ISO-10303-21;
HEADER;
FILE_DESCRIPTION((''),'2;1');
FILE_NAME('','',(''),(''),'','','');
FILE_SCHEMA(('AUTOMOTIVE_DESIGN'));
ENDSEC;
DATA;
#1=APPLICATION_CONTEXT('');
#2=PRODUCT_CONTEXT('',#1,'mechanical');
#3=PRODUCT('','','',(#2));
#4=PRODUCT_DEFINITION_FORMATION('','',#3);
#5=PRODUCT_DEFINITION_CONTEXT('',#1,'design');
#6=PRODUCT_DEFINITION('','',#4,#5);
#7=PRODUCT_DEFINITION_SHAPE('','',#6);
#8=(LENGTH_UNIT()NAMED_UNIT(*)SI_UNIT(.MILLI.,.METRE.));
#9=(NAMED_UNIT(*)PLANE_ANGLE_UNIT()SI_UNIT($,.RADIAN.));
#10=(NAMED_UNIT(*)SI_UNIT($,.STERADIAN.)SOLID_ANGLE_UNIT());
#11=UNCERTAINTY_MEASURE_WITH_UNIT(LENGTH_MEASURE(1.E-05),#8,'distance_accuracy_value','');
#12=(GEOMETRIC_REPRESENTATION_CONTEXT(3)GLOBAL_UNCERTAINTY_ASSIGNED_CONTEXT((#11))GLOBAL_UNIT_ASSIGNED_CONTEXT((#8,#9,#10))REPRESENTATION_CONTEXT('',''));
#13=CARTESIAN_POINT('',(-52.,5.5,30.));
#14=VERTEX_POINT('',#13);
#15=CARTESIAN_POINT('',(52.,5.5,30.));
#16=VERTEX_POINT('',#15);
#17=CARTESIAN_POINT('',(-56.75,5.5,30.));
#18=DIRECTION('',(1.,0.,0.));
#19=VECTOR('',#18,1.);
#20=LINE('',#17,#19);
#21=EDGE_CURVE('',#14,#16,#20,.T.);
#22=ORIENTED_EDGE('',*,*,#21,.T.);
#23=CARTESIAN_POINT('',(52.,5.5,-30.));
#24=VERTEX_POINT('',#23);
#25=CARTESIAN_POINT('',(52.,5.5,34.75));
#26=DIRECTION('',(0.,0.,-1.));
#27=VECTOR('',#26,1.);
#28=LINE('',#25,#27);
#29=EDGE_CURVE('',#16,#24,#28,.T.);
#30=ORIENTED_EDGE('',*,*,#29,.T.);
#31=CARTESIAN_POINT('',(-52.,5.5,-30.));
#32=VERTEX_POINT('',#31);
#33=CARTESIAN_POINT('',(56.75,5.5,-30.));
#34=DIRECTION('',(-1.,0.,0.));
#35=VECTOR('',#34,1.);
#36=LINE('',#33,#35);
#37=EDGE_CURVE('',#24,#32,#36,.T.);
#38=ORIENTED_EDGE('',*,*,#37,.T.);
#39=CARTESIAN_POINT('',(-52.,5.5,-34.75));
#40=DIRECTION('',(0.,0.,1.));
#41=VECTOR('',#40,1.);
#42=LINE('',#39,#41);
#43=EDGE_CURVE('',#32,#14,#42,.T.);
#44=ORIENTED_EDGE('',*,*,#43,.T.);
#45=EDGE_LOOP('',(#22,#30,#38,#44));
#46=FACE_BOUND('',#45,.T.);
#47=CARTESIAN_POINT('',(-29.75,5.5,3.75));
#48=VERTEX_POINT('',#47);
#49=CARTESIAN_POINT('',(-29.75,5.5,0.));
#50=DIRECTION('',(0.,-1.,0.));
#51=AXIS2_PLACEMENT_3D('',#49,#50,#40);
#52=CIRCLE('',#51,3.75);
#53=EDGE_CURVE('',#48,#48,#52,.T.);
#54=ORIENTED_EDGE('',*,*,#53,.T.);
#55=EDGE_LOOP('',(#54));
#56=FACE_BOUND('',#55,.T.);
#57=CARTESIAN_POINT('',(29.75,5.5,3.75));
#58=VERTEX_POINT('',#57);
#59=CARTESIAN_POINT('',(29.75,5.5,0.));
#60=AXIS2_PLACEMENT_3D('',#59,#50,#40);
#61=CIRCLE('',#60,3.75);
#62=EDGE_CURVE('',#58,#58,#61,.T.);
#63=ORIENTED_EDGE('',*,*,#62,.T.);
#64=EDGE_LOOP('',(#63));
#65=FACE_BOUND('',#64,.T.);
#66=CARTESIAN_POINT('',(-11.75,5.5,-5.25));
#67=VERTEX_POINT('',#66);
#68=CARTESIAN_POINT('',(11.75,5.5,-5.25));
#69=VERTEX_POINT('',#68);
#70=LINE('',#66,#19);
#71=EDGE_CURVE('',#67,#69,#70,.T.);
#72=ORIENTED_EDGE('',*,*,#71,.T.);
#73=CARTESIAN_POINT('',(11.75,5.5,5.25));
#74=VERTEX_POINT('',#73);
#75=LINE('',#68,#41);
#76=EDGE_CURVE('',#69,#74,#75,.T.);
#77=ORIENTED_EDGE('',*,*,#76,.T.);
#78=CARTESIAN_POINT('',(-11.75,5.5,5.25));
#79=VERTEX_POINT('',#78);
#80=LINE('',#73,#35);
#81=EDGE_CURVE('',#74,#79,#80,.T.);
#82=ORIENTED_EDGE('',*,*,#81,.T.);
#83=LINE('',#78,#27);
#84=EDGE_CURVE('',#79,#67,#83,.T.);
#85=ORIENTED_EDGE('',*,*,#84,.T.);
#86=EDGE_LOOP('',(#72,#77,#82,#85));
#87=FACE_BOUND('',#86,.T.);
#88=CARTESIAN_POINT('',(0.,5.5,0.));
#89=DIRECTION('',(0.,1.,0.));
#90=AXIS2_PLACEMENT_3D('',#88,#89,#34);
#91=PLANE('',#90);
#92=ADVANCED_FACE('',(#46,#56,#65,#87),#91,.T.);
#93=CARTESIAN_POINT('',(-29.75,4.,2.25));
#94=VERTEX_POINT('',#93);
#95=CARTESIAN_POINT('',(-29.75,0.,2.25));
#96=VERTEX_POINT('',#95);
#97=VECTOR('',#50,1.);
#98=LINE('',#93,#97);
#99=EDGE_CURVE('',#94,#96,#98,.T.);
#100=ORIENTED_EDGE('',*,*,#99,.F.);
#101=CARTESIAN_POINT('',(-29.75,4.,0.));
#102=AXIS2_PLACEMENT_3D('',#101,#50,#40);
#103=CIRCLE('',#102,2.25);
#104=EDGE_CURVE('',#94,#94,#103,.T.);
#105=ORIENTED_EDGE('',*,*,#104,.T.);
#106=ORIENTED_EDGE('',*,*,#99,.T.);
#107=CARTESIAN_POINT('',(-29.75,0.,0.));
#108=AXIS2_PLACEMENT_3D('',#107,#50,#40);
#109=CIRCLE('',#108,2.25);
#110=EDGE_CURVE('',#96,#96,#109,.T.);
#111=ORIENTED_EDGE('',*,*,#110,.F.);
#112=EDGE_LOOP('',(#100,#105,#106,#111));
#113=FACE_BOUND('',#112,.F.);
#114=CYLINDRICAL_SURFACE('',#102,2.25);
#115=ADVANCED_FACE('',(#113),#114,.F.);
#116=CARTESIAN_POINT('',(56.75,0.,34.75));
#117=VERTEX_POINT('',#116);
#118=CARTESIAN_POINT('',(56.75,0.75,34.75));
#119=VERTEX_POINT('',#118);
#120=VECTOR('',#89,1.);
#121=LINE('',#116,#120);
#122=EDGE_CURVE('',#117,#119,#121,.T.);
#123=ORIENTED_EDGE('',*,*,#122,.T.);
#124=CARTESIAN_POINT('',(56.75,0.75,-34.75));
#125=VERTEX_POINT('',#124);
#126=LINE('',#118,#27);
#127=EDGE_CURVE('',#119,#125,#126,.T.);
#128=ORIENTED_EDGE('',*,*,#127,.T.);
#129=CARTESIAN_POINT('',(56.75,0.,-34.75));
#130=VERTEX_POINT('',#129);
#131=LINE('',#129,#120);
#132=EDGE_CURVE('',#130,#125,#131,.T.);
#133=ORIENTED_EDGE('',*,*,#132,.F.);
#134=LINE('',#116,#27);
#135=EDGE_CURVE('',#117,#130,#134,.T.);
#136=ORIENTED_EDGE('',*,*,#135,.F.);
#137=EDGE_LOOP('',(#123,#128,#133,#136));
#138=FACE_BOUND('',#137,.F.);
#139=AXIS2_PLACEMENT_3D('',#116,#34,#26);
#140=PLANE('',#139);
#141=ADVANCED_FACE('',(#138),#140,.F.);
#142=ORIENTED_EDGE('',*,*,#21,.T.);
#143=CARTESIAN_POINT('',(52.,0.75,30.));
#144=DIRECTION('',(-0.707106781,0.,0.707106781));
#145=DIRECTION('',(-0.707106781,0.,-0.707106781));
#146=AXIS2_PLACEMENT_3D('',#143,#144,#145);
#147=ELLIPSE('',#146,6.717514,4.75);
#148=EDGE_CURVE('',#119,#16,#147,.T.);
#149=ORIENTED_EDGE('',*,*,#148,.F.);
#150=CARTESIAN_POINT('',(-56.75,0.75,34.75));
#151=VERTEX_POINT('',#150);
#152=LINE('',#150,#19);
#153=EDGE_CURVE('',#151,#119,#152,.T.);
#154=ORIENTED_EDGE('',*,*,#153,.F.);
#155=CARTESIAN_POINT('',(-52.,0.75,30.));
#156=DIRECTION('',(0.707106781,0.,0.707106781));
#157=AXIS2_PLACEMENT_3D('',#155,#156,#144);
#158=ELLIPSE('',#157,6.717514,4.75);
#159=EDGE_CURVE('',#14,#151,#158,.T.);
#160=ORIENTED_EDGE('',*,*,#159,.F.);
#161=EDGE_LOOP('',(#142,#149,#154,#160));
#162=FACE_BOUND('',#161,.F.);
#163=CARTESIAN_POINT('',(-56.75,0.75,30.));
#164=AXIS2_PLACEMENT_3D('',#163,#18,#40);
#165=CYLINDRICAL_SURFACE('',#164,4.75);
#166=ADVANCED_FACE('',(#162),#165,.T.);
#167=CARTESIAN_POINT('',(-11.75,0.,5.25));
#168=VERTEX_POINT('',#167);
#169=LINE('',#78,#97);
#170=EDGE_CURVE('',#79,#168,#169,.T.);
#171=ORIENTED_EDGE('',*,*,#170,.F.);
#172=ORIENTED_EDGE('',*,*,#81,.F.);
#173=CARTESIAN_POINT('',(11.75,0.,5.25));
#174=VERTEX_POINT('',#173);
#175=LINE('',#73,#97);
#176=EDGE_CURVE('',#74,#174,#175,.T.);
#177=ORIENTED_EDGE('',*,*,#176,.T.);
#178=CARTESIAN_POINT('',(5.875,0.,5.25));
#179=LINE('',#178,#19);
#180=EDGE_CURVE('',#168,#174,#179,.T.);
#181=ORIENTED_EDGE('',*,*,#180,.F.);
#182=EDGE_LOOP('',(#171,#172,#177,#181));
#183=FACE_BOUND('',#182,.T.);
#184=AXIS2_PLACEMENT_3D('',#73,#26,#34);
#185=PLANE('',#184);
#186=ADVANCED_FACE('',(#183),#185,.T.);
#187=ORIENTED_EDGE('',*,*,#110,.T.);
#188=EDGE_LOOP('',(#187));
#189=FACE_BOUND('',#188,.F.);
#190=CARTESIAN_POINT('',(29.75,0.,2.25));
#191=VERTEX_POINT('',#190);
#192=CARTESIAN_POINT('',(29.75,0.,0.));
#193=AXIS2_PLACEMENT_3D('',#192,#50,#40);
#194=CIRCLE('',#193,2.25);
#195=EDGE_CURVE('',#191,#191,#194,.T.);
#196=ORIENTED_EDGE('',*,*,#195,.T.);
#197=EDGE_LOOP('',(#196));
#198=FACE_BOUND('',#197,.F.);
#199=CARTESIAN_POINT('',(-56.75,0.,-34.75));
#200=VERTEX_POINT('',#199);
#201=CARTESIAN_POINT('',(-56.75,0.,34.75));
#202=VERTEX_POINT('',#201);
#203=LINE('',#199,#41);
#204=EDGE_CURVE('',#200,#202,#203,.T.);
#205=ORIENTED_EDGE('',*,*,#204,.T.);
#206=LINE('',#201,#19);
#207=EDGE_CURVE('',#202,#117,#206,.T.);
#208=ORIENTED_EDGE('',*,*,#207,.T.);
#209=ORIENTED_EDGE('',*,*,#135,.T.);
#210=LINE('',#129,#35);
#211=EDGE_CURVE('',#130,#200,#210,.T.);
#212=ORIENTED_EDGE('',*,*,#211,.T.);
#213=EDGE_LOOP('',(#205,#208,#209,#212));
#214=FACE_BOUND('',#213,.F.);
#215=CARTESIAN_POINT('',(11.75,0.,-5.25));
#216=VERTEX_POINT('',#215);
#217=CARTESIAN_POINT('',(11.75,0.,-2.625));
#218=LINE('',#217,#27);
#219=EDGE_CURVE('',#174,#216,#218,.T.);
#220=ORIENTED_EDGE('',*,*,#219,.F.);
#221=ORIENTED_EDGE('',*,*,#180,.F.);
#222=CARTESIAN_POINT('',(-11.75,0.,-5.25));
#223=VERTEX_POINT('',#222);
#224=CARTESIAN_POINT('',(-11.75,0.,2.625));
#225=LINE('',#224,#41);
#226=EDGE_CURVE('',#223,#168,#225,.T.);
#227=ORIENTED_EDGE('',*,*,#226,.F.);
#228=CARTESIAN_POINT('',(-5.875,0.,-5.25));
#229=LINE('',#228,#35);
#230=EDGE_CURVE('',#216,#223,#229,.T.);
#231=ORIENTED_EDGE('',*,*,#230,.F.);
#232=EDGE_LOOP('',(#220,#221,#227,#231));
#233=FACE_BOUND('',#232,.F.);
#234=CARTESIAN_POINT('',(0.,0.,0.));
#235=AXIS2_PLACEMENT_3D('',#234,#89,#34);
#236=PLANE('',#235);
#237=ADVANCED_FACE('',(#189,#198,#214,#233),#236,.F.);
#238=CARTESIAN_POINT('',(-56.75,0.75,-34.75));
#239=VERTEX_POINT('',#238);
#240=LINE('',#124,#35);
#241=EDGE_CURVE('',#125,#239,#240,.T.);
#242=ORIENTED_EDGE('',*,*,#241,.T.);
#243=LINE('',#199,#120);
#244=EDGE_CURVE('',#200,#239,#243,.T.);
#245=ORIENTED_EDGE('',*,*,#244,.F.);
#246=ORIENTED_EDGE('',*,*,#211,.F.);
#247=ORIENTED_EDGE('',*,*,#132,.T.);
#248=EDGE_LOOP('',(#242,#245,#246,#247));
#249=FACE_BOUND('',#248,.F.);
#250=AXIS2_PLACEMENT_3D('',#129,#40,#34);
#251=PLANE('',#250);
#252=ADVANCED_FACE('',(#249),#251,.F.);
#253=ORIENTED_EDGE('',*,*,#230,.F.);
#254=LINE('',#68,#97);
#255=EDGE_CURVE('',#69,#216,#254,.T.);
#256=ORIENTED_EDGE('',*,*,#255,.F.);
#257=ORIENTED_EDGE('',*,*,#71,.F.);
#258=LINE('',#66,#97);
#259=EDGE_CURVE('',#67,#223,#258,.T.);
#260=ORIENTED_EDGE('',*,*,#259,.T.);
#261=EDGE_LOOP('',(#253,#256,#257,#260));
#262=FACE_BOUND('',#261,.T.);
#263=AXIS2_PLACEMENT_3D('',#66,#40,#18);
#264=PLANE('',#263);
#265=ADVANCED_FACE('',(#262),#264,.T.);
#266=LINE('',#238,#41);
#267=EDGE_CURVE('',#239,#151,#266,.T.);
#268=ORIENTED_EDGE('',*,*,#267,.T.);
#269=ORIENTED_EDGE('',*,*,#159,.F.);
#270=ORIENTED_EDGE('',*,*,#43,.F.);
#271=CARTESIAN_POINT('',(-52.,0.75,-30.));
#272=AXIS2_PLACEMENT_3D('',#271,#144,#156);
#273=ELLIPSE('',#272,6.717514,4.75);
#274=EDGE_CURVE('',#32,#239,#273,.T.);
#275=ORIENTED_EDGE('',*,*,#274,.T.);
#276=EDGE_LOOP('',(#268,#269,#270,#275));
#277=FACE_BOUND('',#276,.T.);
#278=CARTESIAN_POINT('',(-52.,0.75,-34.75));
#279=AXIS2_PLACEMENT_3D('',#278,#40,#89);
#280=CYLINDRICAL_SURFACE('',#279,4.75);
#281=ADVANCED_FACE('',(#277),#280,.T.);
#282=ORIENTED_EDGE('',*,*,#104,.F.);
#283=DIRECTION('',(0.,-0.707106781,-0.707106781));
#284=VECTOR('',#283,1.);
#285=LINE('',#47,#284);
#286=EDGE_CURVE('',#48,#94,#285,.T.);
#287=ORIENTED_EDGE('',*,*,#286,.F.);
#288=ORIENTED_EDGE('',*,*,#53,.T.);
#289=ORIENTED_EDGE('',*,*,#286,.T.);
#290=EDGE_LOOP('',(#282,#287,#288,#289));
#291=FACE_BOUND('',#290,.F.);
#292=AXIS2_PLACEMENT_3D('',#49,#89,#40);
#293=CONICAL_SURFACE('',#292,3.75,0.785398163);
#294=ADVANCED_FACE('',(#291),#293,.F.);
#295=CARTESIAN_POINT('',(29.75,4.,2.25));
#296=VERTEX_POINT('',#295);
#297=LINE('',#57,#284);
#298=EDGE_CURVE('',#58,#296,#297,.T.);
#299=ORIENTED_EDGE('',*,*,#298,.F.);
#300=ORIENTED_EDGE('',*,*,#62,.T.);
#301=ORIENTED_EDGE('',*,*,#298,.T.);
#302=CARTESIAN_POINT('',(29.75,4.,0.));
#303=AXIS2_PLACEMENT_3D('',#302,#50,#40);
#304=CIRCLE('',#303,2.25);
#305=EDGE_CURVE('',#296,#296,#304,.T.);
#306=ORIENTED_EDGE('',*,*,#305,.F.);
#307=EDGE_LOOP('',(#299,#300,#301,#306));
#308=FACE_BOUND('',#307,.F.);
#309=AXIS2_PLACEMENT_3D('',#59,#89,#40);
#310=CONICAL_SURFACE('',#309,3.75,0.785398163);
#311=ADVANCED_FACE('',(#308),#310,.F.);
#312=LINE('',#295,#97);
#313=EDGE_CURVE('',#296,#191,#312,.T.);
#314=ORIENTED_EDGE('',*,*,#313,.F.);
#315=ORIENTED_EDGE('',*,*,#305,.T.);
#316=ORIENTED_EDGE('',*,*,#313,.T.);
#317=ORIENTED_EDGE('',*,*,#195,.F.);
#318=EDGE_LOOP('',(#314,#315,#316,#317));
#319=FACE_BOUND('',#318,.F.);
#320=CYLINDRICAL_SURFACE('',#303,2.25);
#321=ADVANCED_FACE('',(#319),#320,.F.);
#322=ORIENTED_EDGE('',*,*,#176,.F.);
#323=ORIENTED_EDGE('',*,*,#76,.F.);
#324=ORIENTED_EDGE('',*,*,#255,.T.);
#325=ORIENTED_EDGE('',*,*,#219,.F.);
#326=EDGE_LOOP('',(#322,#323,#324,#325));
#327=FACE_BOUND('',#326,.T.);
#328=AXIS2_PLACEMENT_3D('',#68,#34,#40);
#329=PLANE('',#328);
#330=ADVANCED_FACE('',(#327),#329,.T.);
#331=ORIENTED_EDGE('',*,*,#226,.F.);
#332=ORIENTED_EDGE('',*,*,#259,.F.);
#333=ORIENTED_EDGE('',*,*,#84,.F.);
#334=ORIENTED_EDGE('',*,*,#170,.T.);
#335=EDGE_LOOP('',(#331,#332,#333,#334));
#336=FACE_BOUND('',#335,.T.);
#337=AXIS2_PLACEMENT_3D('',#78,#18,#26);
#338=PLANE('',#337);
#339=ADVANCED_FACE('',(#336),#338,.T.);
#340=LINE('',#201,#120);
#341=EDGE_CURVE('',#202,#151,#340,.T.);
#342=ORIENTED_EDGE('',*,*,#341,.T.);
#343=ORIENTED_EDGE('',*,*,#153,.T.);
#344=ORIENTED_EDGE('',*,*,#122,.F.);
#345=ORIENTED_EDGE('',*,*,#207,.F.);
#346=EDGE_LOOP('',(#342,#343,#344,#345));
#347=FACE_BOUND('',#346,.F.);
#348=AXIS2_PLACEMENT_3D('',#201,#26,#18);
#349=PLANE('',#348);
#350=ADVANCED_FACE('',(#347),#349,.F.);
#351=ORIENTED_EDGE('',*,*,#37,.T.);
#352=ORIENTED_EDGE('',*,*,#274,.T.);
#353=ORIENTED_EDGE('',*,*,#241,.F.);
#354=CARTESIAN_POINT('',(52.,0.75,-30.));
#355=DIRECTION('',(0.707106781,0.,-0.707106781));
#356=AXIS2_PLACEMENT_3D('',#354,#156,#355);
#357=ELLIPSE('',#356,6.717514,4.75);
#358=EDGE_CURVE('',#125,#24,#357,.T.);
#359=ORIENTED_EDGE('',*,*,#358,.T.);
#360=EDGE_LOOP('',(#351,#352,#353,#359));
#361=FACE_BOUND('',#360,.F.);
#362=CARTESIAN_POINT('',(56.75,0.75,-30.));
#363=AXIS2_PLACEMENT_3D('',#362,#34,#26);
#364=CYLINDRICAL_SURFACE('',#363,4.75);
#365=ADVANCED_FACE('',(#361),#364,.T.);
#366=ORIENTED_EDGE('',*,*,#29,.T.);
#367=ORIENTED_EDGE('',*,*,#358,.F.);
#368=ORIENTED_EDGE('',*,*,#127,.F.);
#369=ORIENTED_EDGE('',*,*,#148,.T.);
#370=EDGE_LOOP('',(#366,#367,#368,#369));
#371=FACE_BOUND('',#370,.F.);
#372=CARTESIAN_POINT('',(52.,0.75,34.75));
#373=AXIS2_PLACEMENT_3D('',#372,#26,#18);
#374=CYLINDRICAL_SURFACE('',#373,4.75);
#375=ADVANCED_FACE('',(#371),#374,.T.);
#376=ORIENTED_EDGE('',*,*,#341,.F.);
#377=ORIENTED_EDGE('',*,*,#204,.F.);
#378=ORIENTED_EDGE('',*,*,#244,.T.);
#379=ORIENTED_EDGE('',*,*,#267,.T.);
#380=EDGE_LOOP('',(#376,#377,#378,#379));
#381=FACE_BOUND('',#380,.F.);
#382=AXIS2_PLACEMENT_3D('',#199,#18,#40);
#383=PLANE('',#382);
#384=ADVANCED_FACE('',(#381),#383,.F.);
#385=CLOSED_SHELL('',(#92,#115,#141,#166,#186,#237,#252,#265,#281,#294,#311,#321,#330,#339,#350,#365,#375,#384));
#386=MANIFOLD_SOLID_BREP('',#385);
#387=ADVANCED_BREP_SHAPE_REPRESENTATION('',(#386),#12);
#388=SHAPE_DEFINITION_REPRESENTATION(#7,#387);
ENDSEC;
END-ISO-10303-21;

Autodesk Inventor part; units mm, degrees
ref_plane "YZ Plane" through (0, 0, 0) normal (1, 0, 0) x (0, 1, 0)
ref_plane "XZ Plane" through (0, 0, 0) normal (0, 1, 0) x (-1, 0, 0)
ref_plane "XY Plane" through (0, 0, 0) normal (0, 0, 1) x (1, 0, 0)
sketch "Sketch1" plane through (0, 0, 0) normal (0, 1, 0) x (-1, 0, 0)
  line L0 (-56.75, -34.75) -> (56.75, -34.75)
  line L1 (56.75, -34.75) -> (56.75, 34.75)
  line L2 (56.75, 34.75) -> (-56.75, 34.75)
  line L3 (-56.75, 34.75) -> (-56.75, -34.75)
  line L4 (-56.75, -34.75) -> (56.75, 34.75) construction
  line L5 (56.75, -34.75) -> (-56.75, 34.75) construction
  point P0 (0, 0)
  dimension "d0" = 113.5
  dimension "d1" = 69.5
extrude "Extrusion1" add sketch "Sketch1" along normal blind 5.5
sketch "Sketch2" plane through (0, 5.5, 0) normal (0, 1, 0) x (1, 0, 0)
  line L0 (56.75, 34.75) -> (-56.75, 34.75) projected
  line L1 (-56.75, 34.75) -> (-56.75, -34.75) projected
  line L2 (-56.75, -34.75) -> (56.75, -34.75) projected
  line L3 (56.75, -34.75) -> (56.75, 34.75) projected
  line L4 (11.75, -5.25) -> (-11.75, -5.25)
  line L5 (-11.75, -5.25) -> (-11.75, 5.25)
  line L6 (-11.75, 5.25) -> (11.75, 5.25)
  line L7 (11.75, 5.25) -> (11.75, -5.25)
  line L8 (11.75, -5.25) -> (-11.75, 5.25) construction
  line L9 (-11.75, -5.25) -> (11.75, 5.25) construction
  point P0 (0, 0)
  dimension "d4" = 45
  dimension "d5" = 29.5
extrude "Extrusion2" cut sketch "Sketch2" against normal up to next contours L4 L5 L6 L7
sketch "Sketch3" plane through (0, 5.5, 0) normal (0, 1, 0) x (1, 0, 0)
  line L0 (11.75, 5.25) -> (11.75, -5.25) projected
  line L1 (11.75, 0) -> (29.75, 0)
  line L2 (-11.75, 5.25) -> (-11.75, -5.25) projected
  line L3 (-11.75, 0) -> (-29.75, 0)
  point P0 (0, 0)
  dimension "d8" = 18
hole "Hole1" at (-29.75, 5.5, 0) at (29.75, 5.5, 0) direction (0, -1, 0) diameter 4.5 depth 10 tip angle 118 countersink diameter 7.5 countersink angle 90
fillet "Fillet1" radius 4.75 4 edges at (-56.75, 5.5, 0) (56.75, 5.5, 0) (0, 5.5, 34.75) (0, 5.5, -34.75)
properties part number "Plate"
